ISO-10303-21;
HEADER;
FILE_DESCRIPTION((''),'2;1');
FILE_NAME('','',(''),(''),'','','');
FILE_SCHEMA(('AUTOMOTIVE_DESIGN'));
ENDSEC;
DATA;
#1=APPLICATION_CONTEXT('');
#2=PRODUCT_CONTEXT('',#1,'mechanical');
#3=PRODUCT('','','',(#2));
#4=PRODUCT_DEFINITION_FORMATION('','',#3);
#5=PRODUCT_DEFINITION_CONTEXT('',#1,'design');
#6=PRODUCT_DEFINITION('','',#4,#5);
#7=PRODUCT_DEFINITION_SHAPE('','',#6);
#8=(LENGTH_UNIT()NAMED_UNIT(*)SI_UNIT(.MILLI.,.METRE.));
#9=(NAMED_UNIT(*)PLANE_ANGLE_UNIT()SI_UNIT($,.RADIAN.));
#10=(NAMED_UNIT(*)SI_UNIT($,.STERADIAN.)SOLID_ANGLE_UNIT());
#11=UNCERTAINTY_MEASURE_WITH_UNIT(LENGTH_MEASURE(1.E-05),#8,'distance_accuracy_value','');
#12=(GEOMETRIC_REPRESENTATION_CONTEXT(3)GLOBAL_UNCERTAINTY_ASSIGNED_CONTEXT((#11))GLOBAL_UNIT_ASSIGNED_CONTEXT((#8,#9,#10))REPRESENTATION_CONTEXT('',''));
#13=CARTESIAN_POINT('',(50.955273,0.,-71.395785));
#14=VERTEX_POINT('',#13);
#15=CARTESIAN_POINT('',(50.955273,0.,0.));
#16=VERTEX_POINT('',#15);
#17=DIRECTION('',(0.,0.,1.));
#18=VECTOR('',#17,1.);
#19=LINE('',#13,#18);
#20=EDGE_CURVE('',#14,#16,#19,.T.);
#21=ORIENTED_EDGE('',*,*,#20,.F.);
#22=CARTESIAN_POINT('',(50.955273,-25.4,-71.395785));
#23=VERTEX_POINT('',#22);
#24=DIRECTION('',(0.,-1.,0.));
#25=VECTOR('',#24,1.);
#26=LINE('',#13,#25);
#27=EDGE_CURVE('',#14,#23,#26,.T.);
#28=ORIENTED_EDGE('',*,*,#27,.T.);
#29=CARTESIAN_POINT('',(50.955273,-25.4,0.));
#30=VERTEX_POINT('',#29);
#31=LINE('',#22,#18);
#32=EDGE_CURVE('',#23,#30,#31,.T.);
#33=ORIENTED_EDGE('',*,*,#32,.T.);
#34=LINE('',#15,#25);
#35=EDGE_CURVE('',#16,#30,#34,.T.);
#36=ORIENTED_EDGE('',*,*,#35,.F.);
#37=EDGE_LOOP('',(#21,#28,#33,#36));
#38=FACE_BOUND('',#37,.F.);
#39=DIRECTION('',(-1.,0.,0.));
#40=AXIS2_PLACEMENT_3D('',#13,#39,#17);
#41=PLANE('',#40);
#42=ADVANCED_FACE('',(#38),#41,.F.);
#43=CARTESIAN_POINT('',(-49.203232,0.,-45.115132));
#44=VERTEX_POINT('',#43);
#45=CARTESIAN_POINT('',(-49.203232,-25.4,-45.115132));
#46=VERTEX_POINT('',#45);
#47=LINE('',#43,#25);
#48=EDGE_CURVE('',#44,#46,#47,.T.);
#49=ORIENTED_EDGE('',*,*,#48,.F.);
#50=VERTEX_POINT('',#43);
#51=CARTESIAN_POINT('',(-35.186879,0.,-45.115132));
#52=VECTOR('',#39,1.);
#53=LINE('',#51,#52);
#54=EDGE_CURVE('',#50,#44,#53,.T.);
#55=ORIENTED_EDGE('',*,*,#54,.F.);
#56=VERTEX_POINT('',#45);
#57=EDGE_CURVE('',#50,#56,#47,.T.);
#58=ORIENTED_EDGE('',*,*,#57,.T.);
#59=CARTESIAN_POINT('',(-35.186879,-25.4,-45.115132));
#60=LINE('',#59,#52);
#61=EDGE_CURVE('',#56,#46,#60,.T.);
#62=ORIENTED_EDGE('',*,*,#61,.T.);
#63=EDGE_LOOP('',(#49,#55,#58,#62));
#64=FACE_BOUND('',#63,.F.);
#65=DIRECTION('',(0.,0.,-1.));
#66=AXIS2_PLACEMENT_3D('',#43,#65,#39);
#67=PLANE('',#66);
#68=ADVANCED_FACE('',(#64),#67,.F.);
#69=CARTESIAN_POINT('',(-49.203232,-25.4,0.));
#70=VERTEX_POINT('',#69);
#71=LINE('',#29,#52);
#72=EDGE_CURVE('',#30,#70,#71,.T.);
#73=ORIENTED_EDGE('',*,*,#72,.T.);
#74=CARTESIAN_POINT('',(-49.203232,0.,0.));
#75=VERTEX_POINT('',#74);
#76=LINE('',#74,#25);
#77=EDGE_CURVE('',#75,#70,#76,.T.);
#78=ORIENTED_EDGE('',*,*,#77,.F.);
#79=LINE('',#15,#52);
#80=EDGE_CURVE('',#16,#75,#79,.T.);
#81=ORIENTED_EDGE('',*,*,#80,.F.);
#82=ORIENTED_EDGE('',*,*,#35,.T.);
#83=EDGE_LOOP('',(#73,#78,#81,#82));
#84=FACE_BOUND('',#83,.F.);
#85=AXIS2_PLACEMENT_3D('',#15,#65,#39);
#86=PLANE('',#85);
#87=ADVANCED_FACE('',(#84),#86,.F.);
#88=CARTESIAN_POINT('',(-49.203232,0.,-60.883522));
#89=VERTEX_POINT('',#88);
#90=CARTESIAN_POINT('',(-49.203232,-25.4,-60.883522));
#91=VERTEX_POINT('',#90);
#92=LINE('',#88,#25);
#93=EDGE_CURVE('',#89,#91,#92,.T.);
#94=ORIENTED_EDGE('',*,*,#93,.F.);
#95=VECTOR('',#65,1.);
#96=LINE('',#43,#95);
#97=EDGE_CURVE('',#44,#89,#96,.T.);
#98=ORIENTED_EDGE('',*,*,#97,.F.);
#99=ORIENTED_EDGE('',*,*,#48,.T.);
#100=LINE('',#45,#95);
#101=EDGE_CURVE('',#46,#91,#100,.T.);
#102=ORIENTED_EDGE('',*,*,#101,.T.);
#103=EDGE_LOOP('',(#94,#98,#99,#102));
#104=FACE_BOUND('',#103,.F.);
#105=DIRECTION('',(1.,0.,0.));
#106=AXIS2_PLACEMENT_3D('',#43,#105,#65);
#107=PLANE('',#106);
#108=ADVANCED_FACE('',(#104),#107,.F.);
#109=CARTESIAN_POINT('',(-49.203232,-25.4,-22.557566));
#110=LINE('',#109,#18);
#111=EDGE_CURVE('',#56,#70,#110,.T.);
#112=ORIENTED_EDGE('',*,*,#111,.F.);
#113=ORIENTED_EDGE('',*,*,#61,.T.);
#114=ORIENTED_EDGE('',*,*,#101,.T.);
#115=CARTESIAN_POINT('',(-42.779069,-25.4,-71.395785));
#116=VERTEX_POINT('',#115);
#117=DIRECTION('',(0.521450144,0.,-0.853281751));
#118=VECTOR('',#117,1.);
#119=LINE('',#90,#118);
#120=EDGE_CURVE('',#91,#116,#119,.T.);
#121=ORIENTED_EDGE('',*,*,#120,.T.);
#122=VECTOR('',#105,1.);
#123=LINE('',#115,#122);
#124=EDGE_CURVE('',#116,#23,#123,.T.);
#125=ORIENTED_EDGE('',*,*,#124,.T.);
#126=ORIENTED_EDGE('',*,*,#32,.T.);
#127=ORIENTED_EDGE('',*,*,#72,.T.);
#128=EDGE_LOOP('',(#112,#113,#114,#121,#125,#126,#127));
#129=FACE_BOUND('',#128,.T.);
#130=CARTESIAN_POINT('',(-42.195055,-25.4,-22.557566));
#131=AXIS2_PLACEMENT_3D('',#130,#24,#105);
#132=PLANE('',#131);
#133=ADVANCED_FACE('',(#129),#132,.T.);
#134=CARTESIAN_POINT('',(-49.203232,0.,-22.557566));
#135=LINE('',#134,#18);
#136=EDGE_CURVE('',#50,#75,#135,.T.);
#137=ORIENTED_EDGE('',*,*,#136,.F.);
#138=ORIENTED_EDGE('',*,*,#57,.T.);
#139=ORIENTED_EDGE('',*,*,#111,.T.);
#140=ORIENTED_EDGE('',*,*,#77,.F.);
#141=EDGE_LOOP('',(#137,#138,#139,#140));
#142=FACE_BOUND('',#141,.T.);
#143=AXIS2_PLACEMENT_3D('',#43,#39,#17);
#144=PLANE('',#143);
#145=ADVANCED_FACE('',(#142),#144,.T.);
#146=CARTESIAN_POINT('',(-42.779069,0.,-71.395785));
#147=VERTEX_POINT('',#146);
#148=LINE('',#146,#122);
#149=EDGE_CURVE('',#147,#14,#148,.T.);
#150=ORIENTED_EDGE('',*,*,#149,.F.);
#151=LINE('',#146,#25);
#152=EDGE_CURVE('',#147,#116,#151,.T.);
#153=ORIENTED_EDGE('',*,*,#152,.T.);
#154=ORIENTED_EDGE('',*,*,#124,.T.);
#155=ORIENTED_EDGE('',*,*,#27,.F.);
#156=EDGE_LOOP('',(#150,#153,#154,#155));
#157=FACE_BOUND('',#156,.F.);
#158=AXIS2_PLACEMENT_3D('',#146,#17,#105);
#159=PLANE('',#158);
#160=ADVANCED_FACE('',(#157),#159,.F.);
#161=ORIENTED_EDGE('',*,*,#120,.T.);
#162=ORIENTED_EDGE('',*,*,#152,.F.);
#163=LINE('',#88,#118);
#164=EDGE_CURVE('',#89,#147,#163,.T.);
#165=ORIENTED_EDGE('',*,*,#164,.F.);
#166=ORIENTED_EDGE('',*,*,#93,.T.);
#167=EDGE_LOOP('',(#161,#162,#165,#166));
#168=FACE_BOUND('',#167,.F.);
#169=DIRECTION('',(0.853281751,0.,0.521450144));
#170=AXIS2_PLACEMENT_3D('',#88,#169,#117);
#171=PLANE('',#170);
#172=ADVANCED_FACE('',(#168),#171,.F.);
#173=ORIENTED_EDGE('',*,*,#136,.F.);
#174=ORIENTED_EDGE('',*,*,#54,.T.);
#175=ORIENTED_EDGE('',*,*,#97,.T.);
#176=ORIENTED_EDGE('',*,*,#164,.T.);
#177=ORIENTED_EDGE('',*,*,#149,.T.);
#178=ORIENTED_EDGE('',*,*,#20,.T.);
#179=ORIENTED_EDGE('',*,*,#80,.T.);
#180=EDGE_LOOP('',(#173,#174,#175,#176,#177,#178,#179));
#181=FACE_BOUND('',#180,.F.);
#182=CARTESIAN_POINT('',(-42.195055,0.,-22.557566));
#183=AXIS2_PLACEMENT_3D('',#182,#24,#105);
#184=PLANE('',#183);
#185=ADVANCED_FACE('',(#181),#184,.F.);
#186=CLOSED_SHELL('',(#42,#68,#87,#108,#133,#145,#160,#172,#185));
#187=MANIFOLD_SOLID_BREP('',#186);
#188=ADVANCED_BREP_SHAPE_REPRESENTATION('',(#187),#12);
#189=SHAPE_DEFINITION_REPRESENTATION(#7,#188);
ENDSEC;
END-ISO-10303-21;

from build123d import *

# Parameters (mm, degrees)
F0_W     = 14.016353
F0_H     = 45.115132
F1_DEPTH = 25.4


with BuildPart() as f1:
    # F0 (on Front) → F1 (new body)
    with BuildSketch(Plane.XZ):
        with Locations((-42.195055, -22.557566)):
            Rectangle(F0_W, F0_H)
        Polygon((-35.186879, -45.115132), (-49.203232, -45.115132), (-49.203232, -60.883522), (33.434838, -60.883522), (33.434838, 0), (-35.186879, 0), align=None)
        Polygon((33.434838, -60.883522), (-49.203232, -60.883522), (-42.779069, -71.395785), (33.434838, -71.395785), align=None)
        Polygon((50.955273, 0), (33.434838, 0), (33.434838, -60.883522), (33.434838, -71.395785), (50.955273, -71.395785), align=None)
    extrude(amount=F1_DEPTH)


solid = f1.part
